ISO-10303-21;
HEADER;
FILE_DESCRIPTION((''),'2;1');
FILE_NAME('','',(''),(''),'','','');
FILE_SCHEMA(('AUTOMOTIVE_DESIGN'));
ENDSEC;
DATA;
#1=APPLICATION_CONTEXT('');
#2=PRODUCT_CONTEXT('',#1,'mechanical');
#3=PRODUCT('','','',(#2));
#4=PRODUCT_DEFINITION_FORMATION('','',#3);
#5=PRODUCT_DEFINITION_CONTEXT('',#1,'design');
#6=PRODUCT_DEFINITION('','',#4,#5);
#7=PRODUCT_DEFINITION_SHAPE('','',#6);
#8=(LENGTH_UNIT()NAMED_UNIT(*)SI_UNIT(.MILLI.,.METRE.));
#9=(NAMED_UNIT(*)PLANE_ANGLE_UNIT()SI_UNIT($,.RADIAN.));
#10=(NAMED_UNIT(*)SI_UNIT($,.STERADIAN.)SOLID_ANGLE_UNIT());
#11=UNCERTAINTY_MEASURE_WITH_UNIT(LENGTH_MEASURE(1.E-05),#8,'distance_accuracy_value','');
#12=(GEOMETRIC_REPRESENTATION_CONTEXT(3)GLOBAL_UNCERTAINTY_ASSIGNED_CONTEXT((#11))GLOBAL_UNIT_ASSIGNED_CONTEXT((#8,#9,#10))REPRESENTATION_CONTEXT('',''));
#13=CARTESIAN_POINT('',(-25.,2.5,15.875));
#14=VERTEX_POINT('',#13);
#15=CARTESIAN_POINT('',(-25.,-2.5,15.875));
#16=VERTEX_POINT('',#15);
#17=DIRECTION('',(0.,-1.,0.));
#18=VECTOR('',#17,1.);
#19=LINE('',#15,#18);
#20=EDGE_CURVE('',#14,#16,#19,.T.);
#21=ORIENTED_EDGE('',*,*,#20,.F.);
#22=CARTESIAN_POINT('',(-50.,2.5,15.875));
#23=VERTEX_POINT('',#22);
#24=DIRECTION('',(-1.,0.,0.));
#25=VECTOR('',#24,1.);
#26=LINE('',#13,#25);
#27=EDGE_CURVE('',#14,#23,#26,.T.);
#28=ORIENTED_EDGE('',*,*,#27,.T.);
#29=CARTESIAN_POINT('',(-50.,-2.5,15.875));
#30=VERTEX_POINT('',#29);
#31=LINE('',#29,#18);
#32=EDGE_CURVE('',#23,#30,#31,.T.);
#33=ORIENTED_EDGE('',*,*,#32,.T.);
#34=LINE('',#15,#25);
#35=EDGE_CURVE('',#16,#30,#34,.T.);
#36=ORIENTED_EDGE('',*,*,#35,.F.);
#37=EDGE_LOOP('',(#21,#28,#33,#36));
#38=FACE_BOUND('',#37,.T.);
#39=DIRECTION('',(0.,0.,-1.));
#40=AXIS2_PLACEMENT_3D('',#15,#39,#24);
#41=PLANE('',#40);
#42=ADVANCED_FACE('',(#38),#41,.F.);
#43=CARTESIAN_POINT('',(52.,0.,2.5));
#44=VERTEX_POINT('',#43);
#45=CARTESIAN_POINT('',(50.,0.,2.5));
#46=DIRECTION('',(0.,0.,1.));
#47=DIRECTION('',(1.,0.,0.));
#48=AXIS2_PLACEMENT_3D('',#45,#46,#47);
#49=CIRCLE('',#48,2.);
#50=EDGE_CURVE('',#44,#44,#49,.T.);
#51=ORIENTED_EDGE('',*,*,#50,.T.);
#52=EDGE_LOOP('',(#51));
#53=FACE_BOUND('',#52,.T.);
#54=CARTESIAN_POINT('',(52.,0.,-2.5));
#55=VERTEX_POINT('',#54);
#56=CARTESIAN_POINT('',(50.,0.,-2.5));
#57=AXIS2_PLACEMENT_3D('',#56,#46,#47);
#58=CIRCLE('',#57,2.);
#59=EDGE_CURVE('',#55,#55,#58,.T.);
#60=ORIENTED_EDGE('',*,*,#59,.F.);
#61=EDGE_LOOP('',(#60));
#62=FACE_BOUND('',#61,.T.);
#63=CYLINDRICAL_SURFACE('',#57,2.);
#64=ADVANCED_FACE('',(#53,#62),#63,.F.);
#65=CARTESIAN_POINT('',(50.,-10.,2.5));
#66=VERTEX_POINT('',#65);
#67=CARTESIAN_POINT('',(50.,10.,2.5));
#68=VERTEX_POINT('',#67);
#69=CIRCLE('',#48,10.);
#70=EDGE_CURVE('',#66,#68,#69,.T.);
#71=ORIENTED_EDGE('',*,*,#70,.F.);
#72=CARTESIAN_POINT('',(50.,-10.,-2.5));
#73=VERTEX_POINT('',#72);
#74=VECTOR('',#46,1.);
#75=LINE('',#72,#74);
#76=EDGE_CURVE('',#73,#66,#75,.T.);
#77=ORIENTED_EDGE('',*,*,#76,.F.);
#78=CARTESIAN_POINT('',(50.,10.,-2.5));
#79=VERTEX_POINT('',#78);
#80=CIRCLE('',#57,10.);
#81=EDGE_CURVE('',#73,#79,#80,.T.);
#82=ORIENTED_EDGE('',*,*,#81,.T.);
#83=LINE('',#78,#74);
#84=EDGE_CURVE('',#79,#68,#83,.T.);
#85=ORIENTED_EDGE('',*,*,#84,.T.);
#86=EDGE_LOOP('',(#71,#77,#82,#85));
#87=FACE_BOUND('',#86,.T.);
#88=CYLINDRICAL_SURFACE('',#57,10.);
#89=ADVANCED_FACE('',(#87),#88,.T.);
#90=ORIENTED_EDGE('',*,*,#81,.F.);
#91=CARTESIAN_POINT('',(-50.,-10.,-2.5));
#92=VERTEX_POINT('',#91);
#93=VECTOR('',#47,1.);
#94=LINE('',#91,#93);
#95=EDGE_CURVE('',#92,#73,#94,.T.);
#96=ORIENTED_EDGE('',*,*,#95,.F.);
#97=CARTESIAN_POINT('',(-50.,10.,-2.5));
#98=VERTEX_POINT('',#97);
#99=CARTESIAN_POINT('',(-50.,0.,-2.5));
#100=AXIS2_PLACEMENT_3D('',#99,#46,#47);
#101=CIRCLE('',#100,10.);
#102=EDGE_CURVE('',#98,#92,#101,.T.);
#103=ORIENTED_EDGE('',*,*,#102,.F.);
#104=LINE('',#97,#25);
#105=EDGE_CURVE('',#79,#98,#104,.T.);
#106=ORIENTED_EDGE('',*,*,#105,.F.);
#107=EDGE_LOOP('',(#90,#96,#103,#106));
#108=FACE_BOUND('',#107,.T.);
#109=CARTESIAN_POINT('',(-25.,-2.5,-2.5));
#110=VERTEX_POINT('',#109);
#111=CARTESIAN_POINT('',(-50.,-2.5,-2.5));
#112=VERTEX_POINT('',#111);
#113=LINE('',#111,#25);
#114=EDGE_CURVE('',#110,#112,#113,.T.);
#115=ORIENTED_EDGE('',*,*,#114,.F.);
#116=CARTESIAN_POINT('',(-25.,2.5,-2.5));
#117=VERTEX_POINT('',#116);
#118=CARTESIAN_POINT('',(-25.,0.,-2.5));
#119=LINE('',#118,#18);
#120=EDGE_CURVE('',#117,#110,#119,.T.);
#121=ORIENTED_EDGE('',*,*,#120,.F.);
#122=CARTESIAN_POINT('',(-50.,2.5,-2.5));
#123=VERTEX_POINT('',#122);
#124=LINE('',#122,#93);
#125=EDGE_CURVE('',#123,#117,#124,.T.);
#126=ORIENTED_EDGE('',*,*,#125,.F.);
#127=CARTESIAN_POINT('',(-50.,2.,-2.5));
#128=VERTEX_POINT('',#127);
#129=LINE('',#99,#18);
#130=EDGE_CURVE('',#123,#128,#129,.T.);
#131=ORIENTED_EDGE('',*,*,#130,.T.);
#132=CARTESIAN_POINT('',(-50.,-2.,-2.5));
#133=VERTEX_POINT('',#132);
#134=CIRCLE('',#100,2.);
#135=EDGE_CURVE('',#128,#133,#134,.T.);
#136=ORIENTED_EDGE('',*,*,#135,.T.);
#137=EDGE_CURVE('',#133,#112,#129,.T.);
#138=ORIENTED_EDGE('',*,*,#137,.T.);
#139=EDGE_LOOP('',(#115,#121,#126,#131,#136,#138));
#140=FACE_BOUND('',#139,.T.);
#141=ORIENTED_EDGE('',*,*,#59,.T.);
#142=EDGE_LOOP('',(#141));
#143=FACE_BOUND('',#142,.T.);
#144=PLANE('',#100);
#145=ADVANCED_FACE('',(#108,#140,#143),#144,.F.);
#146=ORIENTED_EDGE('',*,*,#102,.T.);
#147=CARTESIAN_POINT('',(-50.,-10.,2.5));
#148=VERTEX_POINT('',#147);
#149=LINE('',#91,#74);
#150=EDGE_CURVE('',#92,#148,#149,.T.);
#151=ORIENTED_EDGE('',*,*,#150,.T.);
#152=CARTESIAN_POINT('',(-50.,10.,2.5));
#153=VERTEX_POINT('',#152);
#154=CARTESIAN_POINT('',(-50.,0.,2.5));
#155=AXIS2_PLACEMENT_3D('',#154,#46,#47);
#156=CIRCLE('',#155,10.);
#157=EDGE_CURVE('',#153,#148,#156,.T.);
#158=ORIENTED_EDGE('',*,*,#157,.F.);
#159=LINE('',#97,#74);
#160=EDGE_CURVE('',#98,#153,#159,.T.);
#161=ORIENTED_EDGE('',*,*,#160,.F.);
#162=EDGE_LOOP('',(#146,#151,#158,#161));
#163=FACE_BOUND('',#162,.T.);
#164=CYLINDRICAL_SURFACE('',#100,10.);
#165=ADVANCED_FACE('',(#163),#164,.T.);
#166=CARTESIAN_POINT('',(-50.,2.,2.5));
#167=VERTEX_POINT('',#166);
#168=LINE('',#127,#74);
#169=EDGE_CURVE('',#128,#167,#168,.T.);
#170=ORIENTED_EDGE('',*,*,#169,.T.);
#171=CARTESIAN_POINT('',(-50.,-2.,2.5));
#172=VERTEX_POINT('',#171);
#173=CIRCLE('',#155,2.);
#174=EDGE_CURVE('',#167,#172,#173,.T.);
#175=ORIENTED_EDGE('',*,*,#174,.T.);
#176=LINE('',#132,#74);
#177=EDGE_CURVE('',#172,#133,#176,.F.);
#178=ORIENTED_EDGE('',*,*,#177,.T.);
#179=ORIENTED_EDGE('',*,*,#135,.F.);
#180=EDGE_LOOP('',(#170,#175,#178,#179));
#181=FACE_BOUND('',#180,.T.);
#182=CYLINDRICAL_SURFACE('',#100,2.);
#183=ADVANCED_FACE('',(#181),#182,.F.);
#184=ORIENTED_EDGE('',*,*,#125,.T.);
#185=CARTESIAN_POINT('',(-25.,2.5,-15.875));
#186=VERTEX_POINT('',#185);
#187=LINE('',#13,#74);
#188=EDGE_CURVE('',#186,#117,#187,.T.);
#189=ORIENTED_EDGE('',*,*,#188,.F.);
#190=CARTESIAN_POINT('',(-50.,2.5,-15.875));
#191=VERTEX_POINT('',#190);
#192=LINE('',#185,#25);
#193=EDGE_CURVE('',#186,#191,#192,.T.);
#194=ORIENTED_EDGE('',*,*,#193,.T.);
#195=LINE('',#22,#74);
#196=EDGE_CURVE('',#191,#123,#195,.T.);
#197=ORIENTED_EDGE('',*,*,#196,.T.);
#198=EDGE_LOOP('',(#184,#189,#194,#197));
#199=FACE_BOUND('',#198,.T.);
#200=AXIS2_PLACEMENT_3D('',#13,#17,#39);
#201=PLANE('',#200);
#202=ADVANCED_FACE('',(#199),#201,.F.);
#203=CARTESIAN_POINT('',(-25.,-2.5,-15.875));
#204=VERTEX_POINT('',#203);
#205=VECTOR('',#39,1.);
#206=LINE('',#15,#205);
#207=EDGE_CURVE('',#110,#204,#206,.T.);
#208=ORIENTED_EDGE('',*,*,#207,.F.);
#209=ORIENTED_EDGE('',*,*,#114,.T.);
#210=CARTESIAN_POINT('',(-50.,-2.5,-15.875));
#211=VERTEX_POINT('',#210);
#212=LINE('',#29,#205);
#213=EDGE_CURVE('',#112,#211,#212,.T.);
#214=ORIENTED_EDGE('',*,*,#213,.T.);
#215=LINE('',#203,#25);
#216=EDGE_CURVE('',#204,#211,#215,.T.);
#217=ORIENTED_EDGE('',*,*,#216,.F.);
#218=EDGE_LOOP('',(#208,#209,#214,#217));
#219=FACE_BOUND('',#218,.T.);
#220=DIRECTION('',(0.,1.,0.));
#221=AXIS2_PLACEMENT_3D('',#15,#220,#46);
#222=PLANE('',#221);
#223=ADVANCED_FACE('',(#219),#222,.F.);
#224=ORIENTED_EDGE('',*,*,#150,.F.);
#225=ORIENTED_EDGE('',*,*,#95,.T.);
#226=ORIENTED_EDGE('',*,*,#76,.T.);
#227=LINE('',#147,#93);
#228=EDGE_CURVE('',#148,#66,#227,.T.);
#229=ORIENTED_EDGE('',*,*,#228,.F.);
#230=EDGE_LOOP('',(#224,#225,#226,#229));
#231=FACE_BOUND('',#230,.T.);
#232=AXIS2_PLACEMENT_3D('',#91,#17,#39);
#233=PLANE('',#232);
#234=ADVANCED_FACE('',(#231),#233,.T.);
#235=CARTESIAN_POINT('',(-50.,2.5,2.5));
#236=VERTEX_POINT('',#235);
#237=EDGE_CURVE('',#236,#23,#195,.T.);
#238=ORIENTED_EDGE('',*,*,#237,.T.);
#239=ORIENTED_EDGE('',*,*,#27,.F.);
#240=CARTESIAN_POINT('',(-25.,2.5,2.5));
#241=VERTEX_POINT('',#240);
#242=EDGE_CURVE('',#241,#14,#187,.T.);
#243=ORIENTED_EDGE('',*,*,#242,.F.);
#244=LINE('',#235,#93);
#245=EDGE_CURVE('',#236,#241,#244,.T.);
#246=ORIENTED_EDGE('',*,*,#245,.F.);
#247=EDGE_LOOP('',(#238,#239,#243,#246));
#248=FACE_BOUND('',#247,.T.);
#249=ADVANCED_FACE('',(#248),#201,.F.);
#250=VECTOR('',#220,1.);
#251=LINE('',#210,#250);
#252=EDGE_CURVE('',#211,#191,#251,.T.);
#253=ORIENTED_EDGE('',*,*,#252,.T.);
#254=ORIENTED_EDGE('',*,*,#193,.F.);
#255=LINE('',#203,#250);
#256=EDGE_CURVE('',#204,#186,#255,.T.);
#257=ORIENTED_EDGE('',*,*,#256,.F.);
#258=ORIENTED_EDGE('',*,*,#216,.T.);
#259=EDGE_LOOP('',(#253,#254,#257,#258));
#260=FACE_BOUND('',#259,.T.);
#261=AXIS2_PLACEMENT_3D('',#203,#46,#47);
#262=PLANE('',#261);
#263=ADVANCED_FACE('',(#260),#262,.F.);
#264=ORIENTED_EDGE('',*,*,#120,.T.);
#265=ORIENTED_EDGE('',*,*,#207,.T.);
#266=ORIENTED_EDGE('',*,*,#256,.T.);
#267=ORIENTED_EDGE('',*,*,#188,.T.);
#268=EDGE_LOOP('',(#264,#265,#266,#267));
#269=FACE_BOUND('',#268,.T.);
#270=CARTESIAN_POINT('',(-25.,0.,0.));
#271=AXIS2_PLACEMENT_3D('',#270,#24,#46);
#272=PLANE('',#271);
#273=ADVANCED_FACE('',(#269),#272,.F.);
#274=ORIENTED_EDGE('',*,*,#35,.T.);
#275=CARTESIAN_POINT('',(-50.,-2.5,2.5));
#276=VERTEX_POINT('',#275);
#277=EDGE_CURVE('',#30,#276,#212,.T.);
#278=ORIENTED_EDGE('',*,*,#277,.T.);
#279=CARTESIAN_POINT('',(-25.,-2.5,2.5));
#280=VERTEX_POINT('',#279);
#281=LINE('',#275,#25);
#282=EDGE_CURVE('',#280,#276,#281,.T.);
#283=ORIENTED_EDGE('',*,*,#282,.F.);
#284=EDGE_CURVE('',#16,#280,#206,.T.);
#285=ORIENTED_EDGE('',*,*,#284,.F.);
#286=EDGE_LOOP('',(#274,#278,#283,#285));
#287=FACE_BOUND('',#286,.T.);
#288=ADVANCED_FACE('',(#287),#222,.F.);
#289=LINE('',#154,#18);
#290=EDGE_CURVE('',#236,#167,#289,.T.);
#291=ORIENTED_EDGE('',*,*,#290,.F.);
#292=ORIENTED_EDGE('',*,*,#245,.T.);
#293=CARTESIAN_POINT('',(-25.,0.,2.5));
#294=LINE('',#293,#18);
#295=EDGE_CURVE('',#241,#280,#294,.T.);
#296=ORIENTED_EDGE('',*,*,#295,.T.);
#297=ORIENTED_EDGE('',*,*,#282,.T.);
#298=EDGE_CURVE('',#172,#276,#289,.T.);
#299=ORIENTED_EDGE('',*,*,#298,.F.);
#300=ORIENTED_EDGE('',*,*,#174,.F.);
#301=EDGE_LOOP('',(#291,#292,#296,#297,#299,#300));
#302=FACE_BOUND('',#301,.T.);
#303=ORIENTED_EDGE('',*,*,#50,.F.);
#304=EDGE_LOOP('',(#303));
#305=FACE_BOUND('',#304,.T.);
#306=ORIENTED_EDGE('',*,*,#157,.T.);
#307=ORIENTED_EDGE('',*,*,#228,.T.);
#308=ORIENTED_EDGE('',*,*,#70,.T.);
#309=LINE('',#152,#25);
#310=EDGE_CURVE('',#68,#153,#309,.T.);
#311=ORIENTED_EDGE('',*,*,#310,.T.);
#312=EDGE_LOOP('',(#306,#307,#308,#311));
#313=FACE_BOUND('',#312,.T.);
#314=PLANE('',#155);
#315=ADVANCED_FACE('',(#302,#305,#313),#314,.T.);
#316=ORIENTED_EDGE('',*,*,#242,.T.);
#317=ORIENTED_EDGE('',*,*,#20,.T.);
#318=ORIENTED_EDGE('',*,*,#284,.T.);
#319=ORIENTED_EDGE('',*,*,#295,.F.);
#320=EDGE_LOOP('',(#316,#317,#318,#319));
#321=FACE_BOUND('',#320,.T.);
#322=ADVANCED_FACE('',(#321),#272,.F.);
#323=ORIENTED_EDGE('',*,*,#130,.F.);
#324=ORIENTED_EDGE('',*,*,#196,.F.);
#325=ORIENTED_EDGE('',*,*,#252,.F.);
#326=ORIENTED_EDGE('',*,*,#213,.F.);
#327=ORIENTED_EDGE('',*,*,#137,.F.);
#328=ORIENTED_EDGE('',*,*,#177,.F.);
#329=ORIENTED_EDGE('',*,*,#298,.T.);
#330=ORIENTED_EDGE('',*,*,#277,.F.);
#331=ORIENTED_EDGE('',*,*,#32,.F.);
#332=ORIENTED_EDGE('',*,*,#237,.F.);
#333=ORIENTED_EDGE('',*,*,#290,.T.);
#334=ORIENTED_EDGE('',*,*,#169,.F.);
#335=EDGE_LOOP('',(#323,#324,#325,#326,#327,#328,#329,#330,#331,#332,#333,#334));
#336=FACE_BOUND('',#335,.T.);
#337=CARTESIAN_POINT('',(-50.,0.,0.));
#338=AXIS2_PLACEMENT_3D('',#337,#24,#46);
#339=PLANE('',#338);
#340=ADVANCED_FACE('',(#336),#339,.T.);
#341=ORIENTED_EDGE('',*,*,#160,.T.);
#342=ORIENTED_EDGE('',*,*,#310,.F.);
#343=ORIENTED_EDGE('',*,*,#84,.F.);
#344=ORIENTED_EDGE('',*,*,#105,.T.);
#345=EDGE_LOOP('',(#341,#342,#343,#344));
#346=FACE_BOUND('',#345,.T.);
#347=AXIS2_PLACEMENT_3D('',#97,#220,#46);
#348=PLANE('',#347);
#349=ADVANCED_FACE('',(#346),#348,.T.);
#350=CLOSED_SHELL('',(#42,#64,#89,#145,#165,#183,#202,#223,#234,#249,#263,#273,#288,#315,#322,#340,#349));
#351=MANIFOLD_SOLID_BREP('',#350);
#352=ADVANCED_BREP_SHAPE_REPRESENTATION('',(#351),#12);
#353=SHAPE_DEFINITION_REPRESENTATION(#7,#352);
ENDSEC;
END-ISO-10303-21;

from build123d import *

# Parameters (mm, degrees)
BOSS_EXTRUDE1_DEPTH      = 2.5
BOSS_EXTRUDE1_DEPTH_BACK = 2.5
SKETCH1_R                = 2
BOSS_EXTRUDE2_START      = -50
SKETCH2_W                = 31.75
SKETCH2_H                = 5
BOSS_EXTRUDE2_DEPTH      = 25


with BuildPart() as part:
    # Sketch1 → Boss-Extrude1 (new, two sides: drawn at the far end of the back side and taken through both)
    with BuildSketch(Plane.XY.offset(-BOSS_EXTRUDE1_DEPTH_BACK)):
        with BuildLine():
            Line((-50, 10), (50, 10))
            ThreePointArc((50, 10), (60, 0), (50, -10))
            Line((50, -10), (-50, -10))
            ThreePointArc((-50, -10), (-60, 0), (-50, 10))
        make_face()
        with Locations((-50, 0)):
            Circle(SKETCH1_R, mode=Mode.SUBTRACT)
        with Locations((50, 0)):
            Circle(SKETCH1_R, mode=Mode.SUBTRACT)
    extrude(amount=BOSS_EXTRUDE1_DEPTH + BOSS_EXTRUDE1_DEPTH_BACK)

    # Sketch2 → Boss-Extrude2 (add)
    with BuildSketch(Plane(origin=(0, 0, 0), x_dir=(0, 0, -1), z_dir=(1, 0, 0)).offset(BOSS_EXTRUDE2_START)):
        Rectangle(SKETCH2_W, SKETCH2_H)
    extrude(amount=BOSS_EXTRUDE2_DEPTH)


solid = part.part
